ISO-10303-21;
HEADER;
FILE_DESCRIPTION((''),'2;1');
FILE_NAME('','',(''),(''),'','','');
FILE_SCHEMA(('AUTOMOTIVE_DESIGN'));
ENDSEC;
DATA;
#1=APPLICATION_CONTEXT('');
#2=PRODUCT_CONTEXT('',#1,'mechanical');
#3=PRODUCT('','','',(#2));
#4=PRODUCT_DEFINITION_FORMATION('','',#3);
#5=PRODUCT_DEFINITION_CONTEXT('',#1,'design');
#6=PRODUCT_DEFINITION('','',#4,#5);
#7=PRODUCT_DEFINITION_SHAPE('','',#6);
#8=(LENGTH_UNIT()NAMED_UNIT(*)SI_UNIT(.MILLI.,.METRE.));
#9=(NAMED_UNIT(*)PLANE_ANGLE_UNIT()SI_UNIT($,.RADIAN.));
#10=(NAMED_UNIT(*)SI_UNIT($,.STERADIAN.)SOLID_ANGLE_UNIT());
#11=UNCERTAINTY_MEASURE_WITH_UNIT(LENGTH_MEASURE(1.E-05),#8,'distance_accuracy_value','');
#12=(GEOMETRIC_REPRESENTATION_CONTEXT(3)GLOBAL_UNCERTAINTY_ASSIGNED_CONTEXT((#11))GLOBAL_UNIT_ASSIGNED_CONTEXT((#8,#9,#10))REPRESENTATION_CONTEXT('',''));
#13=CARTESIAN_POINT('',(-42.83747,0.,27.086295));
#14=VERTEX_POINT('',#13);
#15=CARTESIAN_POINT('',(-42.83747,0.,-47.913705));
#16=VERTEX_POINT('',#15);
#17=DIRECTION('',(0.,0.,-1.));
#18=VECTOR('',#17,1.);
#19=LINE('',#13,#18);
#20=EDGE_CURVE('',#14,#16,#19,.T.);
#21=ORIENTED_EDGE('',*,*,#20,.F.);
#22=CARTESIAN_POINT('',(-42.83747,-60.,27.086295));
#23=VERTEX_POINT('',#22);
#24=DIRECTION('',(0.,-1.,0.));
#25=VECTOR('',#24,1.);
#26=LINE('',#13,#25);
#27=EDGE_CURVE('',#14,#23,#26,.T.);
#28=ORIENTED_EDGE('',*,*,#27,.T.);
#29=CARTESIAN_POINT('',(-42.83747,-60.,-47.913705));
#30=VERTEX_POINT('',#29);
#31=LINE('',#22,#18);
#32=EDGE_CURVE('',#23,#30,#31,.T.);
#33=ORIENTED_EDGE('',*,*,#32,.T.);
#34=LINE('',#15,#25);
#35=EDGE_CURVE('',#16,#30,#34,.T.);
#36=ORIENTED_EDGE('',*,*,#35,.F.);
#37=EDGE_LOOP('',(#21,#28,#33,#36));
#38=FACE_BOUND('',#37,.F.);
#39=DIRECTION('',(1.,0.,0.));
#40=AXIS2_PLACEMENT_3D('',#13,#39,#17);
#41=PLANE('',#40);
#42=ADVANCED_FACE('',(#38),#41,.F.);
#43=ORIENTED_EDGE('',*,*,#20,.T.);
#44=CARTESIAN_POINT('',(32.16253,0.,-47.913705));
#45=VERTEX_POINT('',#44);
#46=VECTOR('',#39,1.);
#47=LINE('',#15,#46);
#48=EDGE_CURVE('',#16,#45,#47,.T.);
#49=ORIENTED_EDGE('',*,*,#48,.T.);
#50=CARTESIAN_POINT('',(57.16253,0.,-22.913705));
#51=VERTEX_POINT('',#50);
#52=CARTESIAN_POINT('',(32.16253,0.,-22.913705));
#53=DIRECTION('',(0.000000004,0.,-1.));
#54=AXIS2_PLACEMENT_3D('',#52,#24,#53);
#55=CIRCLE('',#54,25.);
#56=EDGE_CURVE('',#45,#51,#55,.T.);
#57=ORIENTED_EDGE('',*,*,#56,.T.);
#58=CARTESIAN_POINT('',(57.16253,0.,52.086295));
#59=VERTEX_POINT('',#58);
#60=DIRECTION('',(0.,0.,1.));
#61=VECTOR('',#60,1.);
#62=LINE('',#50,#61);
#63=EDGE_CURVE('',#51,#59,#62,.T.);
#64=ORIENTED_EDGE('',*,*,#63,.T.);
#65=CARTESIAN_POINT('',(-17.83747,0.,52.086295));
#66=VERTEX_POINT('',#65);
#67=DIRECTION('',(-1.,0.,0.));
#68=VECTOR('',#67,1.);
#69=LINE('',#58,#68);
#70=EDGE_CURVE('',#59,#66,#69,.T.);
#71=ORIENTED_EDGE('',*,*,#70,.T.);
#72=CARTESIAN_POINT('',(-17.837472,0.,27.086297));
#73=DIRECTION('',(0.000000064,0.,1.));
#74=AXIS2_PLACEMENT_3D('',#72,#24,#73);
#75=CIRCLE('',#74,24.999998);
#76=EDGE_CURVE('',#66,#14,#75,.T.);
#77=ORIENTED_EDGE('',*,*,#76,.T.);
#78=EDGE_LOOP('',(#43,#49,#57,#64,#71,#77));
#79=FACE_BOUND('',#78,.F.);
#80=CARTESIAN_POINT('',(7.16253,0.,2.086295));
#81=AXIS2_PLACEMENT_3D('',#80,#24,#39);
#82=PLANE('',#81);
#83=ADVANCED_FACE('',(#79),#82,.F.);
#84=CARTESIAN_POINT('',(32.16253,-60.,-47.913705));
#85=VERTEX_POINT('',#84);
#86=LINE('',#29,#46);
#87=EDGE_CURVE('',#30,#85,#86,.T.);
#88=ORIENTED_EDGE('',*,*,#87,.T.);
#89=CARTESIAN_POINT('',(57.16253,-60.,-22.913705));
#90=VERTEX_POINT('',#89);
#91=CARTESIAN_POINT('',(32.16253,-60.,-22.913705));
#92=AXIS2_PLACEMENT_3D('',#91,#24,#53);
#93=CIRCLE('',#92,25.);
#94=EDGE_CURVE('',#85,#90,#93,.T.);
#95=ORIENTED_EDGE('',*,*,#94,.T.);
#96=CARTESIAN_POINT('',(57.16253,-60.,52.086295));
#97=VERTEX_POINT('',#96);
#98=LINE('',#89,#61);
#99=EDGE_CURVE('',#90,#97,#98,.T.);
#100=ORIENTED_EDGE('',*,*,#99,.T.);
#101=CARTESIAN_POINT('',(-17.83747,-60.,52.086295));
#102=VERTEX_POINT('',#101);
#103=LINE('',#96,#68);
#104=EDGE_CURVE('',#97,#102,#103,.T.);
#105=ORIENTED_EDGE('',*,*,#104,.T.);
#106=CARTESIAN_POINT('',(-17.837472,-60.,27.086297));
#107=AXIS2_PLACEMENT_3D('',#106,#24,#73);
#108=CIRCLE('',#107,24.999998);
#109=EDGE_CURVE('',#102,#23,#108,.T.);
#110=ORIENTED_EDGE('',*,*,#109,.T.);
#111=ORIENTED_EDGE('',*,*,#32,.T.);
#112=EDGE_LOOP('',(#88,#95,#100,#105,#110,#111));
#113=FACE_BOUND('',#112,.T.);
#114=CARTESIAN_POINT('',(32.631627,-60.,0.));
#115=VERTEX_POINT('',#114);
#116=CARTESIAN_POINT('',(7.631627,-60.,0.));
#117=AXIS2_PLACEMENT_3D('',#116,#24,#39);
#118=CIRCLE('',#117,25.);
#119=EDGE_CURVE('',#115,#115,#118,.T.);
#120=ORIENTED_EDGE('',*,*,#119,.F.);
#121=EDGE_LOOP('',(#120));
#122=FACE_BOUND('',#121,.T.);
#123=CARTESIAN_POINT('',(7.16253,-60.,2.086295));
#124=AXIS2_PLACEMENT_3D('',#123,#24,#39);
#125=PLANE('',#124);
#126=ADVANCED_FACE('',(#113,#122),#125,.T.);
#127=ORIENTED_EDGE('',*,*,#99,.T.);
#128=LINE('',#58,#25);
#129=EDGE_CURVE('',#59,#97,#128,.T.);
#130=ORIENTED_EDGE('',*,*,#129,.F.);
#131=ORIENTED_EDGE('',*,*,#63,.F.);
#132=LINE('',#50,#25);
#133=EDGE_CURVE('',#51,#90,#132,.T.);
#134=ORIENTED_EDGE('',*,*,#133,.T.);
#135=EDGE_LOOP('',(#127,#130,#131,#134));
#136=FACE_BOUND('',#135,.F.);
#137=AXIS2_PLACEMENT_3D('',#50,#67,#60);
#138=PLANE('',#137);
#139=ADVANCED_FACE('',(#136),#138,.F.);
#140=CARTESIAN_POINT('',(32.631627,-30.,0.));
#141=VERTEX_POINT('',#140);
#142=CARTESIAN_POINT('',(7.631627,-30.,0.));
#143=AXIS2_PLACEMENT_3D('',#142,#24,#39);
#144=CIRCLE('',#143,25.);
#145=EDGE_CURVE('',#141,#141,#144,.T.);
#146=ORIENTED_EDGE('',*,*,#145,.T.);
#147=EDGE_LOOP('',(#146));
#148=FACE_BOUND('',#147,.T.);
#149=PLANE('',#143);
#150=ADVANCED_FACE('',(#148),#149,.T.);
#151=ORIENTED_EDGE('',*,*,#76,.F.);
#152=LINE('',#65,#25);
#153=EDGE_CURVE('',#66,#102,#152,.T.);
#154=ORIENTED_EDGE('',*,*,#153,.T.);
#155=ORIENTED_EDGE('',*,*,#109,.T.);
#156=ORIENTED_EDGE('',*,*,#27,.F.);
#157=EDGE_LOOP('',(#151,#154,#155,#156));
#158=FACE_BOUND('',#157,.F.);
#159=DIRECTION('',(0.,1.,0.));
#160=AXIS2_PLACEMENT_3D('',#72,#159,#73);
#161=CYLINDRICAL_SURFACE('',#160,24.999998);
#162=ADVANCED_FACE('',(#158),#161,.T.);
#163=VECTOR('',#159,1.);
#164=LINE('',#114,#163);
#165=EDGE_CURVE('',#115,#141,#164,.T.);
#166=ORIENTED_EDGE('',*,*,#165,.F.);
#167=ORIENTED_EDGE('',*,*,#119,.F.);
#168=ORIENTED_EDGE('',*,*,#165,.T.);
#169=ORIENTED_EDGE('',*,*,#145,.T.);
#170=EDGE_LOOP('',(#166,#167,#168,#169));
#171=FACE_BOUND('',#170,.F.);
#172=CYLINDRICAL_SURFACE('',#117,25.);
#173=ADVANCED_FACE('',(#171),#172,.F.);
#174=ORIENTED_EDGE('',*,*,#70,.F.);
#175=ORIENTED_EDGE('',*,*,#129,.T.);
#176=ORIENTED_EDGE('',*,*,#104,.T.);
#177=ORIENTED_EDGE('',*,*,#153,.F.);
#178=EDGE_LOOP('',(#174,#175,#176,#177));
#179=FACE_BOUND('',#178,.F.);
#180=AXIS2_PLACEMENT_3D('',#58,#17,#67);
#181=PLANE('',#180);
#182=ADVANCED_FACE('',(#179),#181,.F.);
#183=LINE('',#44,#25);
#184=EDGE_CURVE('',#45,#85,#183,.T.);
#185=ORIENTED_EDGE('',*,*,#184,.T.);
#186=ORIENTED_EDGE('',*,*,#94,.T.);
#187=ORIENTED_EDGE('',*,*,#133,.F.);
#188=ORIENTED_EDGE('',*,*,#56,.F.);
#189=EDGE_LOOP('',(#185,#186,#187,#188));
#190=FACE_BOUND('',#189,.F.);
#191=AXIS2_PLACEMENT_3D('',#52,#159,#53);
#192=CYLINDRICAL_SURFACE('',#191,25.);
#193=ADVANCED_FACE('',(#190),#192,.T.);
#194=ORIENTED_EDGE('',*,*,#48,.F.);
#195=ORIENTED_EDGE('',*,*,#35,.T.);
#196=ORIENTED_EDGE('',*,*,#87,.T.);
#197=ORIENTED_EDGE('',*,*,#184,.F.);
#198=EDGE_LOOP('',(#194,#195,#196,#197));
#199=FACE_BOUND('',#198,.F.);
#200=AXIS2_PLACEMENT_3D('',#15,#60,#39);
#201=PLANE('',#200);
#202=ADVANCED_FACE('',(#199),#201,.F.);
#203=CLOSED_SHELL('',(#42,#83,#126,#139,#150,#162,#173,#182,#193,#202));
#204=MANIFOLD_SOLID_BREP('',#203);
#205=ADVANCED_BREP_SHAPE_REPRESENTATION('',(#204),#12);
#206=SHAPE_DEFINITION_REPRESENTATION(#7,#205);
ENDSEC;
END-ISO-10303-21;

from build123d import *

# Parameters (mm, degrees)
F1_DEPTH = 60
F2_R     = 25
F3_DEPTH = 30


with BuildPart() as f1:
    # F0 (on Front) → F1 (new body)
    with BuildSketch(Plane.XZ):
        with BuildLine():
            Line((57.16253, 52.086295), (-17.83747, 52.086295))
            ThreePointArc((-17.83747, 52.086295), (-35.51514, 44.763965), (-42.83747, 27.086295))
            Line((-42.83747, 27.086295), (-42.83747, -47.913705))
            Line((-42.83747, -47.913705), (32.16253, -47.913705))
            ThreePointArc((32.16253, -47.913705), (49.8402, -40.591374), (57.16253, -22.913705))
            Line((57.16253, -22.913705), (57.16253, 52.086295))
        make_face()
    extrude(amount=F1_DEPTH)

    # F2 (on face) → F3 (cut)
    with BuildSketch(Plane.XZ.offset(60)):
        with Locations((7.631627, 0)):
            Circle(F2_R)
    extrude(amount=-F3_DEPTH, mode=Mode.SUBTRACT)


solid = f1.part
